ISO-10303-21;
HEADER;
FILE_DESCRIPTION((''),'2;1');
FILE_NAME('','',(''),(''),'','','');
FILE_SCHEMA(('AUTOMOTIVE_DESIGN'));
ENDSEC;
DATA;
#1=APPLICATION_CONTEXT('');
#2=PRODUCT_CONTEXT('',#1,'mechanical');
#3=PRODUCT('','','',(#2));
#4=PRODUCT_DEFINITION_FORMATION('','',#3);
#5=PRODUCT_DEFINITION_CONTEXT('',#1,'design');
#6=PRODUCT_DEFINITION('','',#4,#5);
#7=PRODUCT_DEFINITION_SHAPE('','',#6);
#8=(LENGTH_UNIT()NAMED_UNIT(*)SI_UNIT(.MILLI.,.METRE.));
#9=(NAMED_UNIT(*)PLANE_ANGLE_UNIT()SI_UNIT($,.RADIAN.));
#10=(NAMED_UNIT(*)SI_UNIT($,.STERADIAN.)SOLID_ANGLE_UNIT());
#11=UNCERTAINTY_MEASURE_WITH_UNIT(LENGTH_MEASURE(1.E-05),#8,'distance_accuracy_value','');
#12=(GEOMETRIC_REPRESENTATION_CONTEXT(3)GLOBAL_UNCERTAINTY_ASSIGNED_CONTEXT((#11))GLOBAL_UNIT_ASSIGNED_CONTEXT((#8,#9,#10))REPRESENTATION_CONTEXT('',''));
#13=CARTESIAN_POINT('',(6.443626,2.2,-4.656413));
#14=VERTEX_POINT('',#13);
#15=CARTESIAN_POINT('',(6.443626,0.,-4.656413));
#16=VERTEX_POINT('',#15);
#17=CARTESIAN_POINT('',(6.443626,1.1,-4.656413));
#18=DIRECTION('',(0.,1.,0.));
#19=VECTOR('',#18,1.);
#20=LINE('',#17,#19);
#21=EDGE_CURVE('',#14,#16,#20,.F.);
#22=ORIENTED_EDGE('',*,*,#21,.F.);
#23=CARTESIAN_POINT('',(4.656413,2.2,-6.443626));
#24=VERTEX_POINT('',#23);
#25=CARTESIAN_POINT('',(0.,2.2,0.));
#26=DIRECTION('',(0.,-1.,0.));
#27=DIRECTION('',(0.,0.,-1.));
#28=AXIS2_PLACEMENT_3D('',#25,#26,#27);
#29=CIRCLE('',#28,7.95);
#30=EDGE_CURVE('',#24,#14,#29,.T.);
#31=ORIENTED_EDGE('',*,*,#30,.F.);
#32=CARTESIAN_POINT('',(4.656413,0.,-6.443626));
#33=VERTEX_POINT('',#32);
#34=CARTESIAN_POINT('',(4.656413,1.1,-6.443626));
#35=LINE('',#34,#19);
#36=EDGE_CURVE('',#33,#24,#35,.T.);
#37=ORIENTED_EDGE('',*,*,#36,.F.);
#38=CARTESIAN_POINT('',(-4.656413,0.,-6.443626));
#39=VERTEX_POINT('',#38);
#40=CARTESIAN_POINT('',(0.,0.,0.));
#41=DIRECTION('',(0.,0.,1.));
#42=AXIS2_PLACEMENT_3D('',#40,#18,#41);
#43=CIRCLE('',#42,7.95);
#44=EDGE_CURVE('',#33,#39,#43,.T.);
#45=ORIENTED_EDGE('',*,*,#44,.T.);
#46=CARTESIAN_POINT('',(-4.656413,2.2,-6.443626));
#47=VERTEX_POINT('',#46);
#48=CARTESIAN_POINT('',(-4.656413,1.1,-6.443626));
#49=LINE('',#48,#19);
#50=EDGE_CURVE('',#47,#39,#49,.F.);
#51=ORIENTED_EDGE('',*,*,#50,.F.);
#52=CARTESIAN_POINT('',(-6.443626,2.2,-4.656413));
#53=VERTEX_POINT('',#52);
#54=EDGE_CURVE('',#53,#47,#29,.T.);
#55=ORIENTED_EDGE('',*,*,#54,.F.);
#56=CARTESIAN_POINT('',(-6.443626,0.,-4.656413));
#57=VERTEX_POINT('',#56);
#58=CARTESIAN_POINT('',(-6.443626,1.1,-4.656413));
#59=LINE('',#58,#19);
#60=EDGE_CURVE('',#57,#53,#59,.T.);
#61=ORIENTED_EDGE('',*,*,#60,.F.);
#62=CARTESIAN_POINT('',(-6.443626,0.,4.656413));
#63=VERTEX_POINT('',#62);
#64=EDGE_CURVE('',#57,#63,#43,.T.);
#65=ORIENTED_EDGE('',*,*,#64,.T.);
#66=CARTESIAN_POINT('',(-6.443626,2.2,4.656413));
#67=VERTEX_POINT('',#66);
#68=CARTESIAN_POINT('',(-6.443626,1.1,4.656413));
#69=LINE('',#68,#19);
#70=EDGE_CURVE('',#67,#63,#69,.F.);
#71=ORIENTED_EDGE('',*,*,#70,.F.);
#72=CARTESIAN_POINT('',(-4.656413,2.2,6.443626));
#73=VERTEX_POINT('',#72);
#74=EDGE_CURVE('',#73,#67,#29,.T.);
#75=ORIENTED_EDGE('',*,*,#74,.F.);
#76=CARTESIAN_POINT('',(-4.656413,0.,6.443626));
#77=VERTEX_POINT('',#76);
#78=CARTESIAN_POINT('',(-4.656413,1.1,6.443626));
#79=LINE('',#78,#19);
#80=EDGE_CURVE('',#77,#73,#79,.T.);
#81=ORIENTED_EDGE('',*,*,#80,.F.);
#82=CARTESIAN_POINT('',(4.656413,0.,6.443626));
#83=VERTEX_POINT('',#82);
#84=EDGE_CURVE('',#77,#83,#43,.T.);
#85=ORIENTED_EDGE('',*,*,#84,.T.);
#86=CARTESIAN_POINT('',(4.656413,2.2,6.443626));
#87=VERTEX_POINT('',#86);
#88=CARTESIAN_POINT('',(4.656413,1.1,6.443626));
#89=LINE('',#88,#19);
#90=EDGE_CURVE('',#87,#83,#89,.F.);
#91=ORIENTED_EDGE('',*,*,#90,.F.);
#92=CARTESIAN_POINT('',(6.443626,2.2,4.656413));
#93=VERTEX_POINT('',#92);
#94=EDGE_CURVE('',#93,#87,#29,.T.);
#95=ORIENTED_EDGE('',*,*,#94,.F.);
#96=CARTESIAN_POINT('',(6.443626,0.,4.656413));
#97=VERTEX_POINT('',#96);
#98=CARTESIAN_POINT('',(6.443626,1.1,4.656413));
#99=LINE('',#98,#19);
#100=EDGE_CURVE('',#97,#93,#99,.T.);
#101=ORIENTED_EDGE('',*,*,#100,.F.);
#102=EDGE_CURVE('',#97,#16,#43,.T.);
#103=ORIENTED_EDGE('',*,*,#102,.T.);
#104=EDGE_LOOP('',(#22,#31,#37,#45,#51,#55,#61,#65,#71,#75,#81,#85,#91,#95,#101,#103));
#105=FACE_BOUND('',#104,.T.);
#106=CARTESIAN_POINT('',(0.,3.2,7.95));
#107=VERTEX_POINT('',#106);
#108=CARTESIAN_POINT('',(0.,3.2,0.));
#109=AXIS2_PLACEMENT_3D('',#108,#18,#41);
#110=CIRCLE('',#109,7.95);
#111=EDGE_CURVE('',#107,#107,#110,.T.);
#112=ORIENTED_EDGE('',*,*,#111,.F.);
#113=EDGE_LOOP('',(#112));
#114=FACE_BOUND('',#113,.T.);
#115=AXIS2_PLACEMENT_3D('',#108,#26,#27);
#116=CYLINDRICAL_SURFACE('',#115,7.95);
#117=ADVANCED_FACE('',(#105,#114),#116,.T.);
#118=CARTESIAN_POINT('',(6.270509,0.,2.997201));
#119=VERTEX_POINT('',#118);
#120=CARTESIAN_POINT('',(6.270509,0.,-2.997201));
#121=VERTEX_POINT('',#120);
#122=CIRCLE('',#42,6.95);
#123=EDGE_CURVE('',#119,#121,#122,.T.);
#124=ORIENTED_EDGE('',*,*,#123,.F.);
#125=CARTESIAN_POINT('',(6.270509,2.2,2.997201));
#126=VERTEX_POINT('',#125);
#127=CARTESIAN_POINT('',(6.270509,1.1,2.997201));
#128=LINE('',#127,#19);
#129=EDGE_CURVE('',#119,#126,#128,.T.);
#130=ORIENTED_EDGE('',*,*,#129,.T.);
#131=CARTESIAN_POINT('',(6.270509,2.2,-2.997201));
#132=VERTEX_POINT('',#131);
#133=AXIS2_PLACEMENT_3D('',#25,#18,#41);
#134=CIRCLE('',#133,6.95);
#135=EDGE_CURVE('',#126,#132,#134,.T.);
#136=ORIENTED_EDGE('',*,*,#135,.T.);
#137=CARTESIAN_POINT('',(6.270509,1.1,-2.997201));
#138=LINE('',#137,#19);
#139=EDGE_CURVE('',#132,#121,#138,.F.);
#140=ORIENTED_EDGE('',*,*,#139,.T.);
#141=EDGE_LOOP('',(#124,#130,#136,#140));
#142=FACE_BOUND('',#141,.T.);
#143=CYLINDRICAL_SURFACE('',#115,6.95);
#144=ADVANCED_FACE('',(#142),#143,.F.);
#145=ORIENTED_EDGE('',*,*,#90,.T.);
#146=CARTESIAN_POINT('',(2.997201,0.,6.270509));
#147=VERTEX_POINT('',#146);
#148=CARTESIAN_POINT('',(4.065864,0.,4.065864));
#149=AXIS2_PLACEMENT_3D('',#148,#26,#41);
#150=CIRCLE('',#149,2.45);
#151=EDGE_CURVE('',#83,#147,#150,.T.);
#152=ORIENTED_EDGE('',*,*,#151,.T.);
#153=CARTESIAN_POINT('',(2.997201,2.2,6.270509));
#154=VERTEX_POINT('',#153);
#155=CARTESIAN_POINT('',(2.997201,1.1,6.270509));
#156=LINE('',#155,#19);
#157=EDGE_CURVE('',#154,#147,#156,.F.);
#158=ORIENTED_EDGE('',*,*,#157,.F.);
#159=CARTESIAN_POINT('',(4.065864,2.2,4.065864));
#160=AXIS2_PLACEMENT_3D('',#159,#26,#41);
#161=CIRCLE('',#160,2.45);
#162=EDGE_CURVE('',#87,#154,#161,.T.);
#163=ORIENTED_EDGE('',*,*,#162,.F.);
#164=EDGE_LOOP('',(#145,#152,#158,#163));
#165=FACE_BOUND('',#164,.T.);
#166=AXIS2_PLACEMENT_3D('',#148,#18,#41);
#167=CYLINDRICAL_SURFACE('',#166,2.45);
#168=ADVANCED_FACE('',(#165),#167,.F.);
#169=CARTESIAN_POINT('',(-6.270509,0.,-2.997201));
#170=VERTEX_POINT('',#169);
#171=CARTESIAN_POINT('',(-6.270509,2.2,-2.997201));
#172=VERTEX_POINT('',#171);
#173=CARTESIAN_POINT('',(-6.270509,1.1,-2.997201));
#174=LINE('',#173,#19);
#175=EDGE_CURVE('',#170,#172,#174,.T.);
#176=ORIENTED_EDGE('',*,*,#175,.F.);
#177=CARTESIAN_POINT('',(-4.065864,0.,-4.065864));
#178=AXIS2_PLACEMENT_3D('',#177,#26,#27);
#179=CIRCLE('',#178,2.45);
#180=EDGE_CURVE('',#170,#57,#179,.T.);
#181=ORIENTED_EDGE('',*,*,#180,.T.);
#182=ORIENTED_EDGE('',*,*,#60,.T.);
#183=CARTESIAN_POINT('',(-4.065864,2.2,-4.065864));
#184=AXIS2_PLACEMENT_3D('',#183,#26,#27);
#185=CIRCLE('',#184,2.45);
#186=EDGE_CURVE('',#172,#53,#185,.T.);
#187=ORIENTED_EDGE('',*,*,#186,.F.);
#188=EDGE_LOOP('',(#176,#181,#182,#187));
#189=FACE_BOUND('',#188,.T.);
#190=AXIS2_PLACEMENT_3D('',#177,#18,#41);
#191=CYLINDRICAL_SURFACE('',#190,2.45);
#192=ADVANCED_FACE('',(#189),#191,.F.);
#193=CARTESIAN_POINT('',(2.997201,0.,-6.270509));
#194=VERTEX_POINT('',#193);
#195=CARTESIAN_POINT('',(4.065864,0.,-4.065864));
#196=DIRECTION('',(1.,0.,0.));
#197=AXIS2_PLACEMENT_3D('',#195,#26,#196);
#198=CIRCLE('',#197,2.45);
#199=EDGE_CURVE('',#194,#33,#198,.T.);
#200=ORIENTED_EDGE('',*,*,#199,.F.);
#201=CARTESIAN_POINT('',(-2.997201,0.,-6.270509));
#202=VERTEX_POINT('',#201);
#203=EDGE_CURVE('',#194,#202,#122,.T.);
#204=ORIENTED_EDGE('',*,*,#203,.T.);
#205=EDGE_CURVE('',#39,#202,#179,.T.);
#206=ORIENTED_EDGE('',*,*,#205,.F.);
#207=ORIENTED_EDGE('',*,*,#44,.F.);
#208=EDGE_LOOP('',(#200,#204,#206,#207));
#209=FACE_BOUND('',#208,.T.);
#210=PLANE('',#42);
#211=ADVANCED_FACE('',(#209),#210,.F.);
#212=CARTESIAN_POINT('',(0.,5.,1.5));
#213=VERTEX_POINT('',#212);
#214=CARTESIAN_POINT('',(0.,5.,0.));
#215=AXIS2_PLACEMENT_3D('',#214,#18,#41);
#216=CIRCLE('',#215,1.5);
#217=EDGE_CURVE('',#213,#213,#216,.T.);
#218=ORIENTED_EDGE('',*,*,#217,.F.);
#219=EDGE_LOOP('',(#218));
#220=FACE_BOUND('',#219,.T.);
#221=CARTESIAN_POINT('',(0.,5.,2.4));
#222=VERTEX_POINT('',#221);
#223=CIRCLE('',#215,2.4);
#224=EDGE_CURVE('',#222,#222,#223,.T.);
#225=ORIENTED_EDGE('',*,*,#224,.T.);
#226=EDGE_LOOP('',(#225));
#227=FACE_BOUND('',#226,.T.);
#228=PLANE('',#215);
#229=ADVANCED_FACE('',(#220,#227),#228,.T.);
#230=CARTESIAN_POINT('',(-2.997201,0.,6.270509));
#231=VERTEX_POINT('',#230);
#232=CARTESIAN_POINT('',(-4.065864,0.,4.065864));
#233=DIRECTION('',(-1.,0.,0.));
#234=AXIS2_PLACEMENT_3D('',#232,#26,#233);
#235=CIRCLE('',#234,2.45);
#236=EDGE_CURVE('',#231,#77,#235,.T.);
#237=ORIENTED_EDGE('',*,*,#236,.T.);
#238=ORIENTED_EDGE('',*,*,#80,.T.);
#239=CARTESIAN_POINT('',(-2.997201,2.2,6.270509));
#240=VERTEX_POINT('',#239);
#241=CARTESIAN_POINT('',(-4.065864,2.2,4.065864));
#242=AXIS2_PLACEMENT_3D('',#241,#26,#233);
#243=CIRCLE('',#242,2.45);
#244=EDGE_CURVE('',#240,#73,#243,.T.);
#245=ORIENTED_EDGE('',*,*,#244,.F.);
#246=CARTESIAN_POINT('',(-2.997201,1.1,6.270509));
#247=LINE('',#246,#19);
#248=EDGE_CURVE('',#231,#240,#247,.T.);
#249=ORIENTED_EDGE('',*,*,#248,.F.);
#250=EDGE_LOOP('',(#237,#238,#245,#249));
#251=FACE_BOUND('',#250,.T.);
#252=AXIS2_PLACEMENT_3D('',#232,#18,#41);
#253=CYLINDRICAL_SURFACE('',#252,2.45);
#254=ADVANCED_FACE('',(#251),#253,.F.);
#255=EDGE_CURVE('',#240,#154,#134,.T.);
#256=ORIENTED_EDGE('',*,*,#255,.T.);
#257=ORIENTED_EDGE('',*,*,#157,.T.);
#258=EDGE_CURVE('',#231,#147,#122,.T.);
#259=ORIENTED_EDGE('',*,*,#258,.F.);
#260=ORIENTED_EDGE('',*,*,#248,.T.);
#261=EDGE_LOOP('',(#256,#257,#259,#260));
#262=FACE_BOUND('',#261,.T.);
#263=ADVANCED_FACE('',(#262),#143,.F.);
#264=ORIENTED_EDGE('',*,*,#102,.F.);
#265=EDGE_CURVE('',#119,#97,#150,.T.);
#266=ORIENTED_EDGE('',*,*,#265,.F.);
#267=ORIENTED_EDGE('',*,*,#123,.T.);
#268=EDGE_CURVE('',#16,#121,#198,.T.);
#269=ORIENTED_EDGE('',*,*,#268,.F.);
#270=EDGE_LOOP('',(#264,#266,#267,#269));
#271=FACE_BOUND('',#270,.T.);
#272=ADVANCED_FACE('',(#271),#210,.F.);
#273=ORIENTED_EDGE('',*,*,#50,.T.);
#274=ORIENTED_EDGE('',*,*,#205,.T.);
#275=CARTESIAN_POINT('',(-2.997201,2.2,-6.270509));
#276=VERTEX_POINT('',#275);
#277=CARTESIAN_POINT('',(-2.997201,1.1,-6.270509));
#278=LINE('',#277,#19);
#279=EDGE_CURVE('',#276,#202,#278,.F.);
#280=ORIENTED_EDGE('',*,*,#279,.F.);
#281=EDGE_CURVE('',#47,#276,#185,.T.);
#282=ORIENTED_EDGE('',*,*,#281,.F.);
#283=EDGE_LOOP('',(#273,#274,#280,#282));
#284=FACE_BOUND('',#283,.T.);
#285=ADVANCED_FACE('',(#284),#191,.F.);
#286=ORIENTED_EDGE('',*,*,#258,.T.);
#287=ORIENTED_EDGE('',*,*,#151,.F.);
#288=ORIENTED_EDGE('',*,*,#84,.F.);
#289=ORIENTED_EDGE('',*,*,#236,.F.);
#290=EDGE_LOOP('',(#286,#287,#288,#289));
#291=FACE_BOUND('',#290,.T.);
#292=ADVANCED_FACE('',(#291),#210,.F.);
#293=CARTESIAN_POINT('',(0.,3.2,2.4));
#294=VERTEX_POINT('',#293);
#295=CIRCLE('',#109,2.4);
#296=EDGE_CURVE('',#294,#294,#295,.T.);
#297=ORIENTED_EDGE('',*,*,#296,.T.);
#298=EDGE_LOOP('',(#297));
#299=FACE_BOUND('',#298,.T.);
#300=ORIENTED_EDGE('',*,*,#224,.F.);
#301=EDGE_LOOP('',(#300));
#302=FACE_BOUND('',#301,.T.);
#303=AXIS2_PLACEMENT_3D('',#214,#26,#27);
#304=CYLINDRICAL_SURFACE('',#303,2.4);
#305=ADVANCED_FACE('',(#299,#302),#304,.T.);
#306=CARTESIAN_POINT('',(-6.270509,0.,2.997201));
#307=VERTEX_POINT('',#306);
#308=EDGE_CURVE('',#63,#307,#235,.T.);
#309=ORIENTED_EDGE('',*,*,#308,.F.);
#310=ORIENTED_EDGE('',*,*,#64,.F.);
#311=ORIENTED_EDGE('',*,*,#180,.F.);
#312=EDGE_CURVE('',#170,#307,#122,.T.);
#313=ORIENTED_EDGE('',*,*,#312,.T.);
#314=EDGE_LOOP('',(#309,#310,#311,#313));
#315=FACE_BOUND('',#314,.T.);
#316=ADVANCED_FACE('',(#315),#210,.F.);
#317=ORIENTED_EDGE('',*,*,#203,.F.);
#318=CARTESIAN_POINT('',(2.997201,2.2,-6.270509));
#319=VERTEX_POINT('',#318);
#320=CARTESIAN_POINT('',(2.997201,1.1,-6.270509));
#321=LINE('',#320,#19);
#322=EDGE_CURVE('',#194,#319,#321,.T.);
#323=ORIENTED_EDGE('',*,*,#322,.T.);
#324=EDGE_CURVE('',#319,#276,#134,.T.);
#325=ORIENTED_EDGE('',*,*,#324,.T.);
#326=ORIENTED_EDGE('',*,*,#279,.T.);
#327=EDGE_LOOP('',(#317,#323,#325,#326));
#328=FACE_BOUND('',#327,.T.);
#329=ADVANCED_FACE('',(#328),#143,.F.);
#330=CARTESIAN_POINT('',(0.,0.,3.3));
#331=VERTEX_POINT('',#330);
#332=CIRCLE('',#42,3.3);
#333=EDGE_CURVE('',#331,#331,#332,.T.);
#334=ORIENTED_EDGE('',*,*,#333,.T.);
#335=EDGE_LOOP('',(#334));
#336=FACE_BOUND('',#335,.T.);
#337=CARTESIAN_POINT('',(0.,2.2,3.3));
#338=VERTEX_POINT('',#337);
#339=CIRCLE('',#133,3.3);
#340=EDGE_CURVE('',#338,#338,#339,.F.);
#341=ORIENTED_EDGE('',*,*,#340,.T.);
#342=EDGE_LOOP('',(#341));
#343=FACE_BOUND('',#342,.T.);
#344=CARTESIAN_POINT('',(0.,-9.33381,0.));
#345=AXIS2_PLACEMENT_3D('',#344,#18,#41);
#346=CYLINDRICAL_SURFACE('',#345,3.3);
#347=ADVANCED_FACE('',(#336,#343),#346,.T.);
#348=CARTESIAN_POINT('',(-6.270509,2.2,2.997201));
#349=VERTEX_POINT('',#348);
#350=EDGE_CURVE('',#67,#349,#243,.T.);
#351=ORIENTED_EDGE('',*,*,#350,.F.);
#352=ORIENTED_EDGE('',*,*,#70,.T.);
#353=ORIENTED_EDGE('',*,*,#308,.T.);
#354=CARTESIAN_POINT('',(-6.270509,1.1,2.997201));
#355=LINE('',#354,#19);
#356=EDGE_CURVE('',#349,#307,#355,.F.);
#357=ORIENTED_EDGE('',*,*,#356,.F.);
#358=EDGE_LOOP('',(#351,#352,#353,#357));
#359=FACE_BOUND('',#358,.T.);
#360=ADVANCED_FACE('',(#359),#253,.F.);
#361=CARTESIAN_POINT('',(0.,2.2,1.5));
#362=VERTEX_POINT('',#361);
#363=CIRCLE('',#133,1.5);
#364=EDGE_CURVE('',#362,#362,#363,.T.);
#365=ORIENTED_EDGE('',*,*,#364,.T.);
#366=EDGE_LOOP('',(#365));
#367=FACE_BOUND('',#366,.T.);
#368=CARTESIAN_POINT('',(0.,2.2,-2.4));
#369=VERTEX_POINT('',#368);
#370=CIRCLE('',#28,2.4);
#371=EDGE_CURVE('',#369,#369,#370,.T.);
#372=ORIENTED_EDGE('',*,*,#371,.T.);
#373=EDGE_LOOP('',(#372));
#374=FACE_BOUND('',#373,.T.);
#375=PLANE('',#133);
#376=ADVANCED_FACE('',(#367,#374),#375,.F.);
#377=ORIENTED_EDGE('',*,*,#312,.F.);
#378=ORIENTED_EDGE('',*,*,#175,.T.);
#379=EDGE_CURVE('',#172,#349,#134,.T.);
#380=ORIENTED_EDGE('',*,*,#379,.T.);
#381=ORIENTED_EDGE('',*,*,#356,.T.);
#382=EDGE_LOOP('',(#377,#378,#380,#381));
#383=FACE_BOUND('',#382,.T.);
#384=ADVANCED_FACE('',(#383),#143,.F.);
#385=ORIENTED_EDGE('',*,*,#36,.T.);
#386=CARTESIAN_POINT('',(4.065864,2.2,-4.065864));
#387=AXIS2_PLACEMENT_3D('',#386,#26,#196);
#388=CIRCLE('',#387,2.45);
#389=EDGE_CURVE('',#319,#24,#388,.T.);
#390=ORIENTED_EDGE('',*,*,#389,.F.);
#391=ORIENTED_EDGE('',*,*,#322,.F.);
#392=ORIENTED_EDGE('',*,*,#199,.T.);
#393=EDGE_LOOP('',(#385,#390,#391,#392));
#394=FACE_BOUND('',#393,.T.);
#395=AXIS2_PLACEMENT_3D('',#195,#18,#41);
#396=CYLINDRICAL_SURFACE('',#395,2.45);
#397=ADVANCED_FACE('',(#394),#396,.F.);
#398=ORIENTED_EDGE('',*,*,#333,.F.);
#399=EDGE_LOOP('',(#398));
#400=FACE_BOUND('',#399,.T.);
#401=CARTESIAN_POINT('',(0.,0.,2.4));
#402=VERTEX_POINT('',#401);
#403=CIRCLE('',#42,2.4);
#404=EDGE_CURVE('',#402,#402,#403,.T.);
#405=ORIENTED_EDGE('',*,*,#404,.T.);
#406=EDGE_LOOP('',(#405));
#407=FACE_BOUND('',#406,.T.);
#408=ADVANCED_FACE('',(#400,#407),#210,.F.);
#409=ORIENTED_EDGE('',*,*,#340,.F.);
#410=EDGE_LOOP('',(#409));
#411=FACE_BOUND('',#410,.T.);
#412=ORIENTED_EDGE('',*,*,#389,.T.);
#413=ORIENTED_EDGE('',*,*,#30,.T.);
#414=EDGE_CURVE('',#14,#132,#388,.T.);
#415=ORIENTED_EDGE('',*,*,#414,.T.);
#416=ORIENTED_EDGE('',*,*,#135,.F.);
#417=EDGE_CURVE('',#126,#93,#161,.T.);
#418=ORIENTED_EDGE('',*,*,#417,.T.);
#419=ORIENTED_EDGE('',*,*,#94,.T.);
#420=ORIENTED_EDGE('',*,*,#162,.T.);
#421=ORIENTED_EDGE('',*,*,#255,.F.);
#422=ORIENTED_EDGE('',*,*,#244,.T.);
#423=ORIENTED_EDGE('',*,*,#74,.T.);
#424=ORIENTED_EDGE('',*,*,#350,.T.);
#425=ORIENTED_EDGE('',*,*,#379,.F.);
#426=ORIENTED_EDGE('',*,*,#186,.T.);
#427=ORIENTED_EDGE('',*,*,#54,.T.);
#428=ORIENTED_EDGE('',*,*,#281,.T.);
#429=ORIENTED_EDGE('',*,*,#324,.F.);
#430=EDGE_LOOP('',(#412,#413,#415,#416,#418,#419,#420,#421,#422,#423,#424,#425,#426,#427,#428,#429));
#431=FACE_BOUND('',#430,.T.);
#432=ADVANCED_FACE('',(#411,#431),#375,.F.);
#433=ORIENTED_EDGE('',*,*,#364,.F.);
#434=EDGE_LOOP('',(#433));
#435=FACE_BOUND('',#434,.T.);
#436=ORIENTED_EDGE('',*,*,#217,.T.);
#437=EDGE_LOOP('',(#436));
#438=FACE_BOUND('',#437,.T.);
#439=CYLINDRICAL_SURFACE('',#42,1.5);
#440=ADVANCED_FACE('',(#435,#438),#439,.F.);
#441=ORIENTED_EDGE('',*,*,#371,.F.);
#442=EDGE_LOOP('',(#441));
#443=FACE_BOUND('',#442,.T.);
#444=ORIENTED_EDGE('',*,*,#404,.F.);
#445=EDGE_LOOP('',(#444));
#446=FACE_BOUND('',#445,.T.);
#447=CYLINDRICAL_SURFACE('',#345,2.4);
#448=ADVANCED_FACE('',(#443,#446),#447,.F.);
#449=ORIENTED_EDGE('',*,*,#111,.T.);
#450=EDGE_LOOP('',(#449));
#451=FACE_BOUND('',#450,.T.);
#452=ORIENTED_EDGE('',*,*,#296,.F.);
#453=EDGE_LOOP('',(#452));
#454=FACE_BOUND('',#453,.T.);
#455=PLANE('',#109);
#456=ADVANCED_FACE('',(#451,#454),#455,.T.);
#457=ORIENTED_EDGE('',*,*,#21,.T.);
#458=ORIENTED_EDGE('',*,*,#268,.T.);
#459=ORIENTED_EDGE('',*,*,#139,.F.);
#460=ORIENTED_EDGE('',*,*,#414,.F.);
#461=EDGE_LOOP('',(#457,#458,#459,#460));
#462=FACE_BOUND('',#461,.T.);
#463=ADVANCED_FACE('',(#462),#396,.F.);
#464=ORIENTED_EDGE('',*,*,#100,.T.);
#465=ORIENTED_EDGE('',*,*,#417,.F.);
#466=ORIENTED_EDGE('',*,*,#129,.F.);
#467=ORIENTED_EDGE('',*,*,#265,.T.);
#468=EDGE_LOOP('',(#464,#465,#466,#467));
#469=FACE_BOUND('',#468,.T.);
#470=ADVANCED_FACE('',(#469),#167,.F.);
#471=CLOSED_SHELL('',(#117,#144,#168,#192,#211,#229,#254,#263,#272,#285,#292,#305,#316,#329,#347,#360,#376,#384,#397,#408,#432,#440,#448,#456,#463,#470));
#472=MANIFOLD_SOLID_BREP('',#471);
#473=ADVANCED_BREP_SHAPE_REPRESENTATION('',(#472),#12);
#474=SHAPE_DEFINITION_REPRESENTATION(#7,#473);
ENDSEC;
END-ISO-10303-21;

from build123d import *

# Parameters (mm, degrees)
SKETCH1_R           = 7.95
BOSS_EXTRUDE1_DEPTH = 3.2
SKETCH2_R           = 2.4
BOSS_EXTRUDE2_DEPTH = 1.8
SHELL1_T            = -1
BOSS_EXTRUDE3_START = 2.2
SKETCH3_R           = 3.3
SKETCH3_R_2         = 2.4
BOSS_EXTRUDE3_DEPTH = 2.2
SKETCH4_R           = 2.45
CUT_EXTRUDE1_DEPTH  = 12.586414458
CIRPATTERN2_COUNT   = 4
SKETCH5_R           = 1.5
CUT_EXTRUDE2_DEPTH  = 13.304673909


with BuildPart() as part:
    # Sketch1 → Boss-Extrude1 (new body)
    with BuildSketch(Plane(origin=(0, 0, 0), x_dir=(1, 0, 0), z_dir=(0, 1, 0))):
        with Locations(Location((0, 0, 0), (0, 0, 270))):
            Circle(SKETCH1_R)
    extrude(amount=BOSS_EXTRUDE1_DEPTH)

    # Sketch2 → Boss-Extrude2 (add)
    with BuildSketch(Plane(origin=(0, 3.2, 0), x_dir=(1, 0, 0), z_dir=(0, 1, 0))):
        with Locations(Location((0, 0, 0), (0, 0, 270))):
            Circle(SKETCH2_R)
    extrude(amount=BOSS_EXTRUDE2_DEPTH)

    # Shell1
    shell1_openings = [part.faces().sort_by_distance(p)[0] for p in [
        (0, 0, 0),
    ]]
    offset(amount=SHELL1_T, openings=shell1_openings, kind=Kind.INTERSECTION)

    # Sketch3 → Boss-Extrude3 (add)
    with BuildSketch(Plane.XZ.offset(-2.2).offset(BOSS_EXTRUDE3_START)):
        with Locations(Location((0, 0, 0), (0, 0, 90))):
            Circle(SKETCH3_R)
        with Locations(Location((0, 0, 0), (0, 0, 90))):
            Circle(SKETCH3_R_2, mode=Mode.SUBTRACT)
    extrude(amount=-BOSS_EXTRUDE3_DEPTH)

    # Sketch4 → Cut-Extrude1 (cut, through all)
    with BuildSketch(Plane.XZ.offset(-2.2)):
        with Locations((-4.065863992, -4.065863992)):
            Circle(SKETCH4_R)
    cut_extrude1 = extrude(amount=CUT_EXTRUDE1_DEPTH, mode=Mode.SUBTRACT)

    # CirPattern2: Cut-Extrude1 ×4 about axis
    cirpattern2_axis = Axis((0, 0, 0), (0, 1, 0))
    for i in range(1, CIRPATTERN2_COUNT):
        add(cut_extrude1.rotate(cirpattern2_axis, i * 360 / CIRPATTERN2_COUNT), mode=Mode.SUBTRACT)

    # Sketch5 → Cut-Extrude2 (cut, through all)
    with BuildSketch(Plane(origin=(0, 5, 0), x_dir=(1, 0, 0), z_dir=(0, 1, 0))):
        with Locations(Location((0, 0, 0), (0, 0, 270))):
            Circle(SKETCH5_R)
    extrude(amount=-CUT_EXTRUDE2_DEPTH, mode=Mode.SUBTRACT)


solid = part.part
